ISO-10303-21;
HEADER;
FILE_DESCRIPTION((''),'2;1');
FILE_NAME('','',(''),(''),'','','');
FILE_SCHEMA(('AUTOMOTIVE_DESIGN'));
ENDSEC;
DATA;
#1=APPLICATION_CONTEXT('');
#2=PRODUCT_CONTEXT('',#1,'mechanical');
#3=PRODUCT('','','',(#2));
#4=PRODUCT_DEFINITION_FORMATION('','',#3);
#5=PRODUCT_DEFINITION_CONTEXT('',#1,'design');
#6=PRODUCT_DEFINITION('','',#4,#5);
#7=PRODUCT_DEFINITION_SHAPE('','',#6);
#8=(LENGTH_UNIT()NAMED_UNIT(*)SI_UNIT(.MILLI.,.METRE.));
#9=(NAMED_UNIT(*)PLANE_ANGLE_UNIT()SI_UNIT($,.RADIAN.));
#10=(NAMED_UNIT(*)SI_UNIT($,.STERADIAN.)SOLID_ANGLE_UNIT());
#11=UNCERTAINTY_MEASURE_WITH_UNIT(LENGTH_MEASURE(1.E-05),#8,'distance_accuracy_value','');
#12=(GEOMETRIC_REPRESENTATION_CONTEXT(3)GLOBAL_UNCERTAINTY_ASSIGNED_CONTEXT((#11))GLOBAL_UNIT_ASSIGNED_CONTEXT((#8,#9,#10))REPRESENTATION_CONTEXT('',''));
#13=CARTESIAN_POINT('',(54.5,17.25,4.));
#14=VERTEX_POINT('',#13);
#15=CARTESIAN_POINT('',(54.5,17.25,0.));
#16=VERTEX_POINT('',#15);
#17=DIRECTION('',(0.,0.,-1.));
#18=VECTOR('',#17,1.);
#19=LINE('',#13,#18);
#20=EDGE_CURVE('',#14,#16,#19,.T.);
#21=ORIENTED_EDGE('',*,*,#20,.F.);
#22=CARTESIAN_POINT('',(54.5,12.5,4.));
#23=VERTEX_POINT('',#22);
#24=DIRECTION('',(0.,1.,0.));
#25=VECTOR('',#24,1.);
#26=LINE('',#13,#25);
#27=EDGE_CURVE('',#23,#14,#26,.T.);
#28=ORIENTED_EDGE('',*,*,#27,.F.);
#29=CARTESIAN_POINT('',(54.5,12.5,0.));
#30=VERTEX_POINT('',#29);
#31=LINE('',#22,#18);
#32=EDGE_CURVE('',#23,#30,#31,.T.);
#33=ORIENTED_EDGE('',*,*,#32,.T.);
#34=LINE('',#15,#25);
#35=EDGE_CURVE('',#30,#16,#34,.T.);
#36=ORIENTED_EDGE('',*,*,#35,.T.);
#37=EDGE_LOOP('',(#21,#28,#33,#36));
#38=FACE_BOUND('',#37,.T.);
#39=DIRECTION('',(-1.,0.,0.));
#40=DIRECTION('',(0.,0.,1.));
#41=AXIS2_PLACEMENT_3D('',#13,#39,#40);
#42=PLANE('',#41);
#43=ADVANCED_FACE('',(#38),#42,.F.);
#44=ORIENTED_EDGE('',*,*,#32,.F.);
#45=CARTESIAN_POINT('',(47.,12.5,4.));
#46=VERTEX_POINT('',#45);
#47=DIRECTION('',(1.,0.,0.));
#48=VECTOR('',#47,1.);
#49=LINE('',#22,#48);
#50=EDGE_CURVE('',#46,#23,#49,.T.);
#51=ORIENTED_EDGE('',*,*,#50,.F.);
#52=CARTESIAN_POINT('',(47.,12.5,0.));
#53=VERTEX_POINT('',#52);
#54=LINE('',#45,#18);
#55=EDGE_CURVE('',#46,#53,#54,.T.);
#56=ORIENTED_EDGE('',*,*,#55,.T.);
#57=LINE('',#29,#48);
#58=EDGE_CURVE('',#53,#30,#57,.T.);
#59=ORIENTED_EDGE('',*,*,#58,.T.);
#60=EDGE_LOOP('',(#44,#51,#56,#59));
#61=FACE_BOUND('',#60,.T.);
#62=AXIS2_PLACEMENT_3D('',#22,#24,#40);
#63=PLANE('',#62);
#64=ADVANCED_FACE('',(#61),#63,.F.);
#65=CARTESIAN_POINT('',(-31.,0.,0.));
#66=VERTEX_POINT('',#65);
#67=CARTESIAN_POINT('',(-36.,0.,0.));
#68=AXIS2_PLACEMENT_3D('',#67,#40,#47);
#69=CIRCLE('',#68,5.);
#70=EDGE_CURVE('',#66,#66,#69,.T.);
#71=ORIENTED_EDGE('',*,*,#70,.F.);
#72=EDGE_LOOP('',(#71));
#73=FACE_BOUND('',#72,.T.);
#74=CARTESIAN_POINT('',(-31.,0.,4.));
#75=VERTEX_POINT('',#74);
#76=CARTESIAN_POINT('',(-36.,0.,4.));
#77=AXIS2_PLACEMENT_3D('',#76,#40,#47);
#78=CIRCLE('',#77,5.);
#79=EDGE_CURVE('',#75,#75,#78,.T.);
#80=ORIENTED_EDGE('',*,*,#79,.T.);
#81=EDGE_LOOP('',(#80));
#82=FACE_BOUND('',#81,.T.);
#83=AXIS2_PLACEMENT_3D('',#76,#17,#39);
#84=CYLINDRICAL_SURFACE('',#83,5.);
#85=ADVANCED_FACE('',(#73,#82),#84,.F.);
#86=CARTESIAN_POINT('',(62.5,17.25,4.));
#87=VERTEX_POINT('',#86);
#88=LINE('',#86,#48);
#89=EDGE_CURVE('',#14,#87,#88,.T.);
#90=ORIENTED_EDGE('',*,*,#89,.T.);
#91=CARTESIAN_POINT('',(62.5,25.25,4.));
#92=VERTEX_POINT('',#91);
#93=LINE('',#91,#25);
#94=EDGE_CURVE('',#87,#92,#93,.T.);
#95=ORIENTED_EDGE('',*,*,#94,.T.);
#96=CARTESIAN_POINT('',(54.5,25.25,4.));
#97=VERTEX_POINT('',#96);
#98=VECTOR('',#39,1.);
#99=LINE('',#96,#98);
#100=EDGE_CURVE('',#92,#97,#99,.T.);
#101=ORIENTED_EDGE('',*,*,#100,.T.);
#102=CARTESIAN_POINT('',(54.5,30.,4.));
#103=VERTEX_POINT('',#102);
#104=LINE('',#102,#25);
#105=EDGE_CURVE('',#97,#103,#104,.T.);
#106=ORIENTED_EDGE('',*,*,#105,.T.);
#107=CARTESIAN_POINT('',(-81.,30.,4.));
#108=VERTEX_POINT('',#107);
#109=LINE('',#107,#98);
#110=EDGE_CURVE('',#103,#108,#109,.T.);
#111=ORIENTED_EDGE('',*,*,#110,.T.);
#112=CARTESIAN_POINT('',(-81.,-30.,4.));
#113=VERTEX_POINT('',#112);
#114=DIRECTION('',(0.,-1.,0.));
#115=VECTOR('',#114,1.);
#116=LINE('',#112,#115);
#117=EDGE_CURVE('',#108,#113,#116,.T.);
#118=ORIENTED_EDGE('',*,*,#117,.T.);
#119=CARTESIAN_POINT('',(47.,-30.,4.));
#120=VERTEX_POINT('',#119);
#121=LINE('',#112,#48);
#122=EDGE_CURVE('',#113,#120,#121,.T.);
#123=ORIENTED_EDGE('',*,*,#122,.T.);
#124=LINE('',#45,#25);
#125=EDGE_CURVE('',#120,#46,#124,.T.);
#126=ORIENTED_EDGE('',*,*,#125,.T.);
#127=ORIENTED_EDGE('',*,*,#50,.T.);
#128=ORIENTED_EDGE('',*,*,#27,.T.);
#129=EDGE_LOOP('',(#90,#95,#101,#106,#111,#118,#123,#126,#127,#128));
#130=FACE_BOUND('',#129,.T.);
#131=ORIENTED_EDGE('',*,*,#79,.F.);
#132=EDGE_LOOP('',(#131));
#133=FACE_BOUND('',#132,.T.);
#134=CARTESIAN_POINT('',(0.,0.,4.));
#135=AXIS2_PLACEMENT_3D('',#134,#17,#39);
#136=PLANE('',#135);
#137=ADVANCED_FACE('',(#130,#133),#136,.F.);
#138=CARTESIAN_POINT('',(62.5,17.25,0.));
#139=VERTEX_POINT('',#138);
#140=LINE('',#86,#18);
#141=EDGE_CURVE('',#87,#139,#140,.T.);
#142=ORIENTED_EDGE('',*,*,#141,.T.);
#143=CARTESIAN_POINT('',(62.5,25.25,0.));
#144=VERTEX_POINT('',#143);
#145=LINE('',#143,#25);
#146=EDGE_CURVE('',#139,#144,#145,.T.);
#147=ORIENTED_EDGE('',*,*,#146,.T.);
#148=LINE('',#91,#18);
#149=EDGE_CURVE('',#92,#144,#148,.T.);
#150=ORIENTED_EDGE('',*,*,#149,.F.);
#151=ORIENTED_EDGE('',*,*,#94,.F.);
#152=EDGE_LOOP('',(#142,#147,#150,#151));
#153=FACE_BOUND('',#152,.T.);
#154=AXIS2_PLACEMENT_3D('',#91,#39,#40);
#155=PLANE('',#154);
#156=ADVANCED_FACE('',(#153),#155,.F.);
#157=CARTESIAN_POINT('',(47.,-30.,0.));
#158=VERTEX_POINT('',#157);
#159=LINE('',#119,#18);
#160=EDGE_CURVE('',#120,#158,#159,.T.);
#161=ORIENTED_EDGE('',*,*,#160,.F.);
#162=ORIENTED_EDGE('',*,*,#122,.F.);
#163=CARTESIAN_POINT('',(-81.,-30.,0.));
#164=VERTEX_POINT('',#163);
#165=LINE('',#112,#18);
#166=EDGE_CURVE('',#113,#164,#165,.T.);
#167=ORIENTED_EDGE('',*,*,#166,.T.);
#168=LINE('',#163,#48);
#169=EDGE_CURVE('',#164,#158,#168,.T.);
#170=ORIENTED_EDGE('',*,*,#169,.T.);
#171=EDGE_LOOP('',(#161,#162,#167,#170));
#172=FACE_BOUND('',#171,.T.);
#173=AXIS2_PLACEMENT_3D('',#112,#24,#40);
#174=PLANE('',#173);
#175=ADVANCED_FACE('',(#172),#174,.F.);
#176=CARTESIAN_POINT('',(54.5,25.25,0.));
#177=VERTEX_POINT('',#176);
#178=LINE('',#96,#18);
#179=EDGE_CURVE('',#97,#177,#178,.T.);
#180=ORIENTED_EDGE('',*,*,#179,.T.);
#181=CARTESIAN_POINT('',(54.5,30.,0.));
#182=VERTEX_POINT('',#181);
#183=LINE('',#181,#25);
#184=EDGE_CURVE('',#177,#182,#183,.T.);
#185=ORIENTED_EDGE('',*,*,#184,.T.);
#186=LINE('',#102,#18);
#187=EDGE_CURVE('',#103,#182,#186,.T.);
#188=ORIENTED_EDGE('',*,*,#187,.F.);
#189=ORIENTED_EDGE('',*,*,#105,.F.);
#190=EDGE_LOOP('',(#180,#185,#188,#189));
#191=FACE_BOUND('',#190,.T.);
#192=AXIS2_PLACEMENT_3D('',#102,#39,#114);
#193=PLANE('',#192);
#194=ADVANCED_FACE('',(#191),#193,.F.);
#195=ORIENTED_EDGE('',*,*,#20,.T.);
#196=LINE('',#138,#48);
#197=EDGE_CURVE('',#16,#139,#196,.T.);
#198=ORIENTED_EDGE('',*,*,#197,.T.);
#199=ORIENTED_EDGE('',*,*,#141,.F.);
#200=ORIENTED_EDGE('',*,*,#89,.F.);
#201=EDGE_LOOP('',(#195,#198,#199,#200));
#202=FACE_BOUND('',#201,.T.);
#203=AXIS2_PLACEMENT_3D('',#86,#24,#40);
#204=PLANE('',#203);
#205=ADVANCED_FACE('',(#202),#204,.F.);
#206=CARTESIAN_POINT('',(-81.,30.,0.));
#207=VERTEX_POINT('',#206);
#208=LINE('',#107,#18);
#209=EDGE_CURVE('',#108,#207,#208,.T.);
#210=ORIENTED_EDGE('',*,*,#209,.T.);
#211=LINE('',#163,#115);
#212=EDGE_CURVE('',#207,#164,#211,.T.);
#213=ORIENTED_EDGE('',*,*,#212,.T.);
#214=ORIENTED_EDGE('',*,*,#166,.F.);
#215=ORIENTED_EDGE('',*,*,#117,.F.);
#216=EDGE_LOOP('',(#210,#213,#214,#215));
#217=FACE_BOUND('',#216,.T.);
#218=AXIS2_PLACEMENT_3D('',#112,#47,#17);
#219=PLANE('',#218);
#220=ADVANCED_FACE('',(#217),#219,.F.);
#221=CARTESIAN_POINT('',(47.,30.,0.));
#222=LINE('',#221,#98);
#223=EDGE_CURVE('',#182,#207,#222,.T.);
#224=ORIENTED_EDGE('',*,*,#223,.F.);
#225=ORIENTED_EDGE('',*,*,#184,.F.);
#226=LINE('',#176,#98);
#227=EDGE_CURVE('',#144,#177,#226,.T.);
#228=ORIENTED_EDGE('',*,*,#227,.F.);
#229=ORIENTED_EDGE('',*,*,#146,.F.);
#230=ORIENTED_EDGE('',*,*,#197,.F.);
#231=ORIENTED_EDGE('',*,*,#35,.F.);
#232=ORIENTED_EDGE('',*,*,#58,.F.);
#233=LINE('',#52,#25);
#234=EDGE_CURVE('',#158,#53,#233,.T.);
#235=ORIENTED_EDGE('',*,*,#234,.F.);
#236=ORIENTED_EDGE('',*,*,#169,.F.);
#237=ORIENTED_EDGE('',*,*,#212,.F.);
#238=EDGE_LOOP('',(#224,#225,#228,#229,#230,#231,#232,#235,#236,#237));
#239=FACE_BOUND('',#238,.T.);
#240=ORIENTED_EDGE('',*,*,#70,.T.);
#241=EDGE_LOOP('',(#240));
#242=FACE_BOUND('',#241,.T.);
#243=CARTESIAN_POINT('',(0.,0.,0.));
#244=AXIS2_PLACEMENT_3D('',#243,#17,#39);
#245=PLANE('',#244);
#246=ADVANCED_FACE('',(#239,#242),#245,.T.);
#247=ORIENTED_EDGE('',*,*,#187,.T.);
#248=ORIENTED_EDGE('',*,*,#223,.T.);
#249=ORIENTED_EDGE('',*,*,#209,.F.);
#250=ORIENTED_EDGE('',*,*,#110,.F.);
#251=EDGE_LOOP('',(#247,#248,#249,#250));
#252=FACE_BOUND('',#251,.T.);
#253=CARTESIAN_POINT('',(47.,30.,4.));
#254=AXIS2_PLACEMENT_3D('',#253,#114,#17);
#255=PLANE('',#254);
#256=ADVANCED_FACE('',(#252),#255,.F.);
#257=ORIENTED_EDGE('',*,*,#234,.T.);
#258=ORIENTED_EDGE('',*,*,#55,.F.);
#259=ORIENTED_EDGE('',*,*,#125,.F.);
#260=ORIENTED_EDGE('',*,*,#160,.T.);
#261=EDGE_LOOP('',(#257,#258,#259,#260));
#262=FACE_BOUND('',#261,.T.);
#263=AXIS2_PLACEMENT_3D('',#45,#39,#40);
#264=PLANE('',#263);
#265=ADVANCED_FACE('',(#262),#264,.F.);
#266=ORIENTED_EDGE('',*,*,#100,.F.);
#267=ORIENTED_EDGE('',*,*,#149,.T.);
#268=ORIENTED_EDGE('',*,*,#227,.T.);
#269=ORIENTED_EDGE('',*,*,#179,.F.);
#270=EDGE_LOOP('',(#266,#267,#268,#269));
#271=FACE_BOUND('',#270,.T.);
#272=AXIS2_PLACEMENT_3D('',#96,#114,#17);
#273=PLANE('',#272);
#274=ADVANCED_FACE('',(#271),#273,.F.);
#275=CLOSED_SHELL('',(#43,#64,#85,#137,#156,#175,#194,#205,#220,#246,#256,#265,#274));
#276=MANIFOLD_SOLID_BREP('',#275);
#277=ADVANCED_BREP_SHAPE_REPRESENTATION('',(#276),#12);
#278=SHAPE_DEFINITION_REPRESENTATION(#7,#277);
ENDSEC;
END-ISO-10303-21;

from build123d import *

# Parameters (mm, degrees)
SKETCH1_R           = 5
BOSS_EXTRUDE1_DEPTH = 4


with BuildPart() as part:
    # Sketch1 → Boss-Extrude1 (new body)
    with BuildSketch(Plane.XY):
        Polygon((47, 30), (54.5, 30), (54.5, 25.25), (62.5, 25.25), (62.5, 17.25), (54.5, 17.25), (54.5, 12.5), (47, 12.5), (47, -30), (-81, -30), (-81, 30), align=None)
        with Locations((-36, 0)):
            Circle(SKETCH1_R, mode=Mode.SUBTRACT)
    extrude(amount=BOSS_EXTRUDE1_DEPTH)


solid = part.part
